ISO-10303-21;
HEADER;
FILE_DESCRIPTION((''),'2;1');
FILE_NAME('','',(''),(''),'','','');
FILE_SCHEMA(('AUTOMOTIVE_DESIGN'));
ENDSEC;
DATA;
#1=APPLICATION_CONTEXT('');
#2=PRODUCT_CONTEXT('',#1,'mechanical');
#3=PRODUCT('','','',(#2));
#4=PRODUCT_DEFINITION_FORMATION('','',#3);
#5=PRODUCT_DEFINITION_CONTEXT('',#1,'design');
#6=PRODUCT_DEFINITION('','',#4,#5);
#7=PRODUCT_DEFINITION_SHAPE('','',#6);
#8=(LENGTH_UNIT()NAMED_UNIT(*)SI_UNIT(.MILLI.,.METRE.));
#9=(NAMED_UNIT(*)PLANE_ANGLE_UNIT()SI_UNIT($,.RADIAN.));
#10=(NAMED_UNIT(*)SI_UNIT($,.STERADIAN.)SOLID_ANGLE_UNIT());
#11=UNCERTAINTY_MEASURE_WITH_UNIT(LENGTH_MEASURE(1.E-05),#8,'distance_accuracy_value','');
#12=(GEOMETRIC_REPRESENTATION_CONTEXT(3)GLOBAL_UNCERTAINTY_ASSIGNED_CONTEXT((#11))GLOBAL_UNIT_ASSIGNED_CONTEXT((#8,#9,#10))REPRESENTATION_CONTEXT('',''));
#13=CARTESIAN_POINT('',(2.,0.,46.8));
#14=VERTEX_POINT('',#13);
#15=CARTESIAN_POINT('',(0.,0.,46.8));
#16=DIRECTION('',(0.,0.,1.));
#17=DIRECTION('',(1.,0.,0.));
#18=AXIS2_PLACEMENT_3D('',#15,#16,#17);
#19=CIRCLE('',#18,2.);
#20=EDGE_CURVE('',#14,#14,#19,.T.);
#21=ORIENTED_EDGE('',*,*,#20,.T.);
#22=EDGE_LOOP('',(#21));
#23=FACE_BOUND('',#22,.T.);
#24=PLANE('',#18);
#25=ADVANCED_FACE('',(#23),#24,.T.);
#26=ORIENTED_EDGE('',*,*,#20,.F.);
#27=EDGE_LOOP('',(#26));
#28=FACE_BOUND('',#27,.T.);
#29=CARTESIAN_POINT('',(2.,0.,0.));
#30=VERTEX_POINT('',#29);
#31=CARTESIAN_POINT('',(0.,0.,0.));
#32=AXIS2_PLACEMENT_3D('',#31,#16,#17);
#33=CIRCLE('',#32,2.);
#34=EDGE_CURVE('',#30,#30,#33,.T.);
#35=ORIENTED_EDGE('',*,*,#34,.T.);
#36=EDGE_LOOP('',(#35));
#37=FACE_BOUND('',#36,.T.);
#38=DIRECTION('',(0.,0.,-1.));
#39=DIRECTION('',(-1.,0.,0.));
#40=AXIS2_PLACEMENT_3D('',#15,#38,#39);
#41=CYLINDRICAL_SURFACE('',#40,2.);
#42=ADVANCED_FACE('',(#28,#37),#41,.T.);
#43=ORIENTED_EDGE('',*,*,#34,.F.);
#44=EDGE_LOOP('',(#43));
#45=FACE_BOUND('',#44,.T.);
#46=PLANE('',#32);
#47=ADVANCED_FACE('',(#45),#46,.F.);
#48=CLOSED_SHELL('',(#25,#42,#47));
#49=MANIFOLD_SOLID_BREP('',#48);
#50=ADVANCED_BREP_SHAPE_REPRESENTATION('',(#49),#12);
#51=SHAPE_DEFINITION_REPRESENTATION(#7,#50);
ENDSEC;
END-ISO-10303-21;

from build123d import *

# Parameters (mm, degrees)
SKETCH_1_R         = 2
EXTRUDE_46_8_DEPTH = 46.8


with BuildPart() as part:
    # 草图1 → 轴向尺寸_46.8 (new body)
    with BuildSketch(Plane.XY):
        Circle(SKETCH_1_R)
    extrude(amount=EXTRUDE_46_8_DEPTH)


solid = part.part
